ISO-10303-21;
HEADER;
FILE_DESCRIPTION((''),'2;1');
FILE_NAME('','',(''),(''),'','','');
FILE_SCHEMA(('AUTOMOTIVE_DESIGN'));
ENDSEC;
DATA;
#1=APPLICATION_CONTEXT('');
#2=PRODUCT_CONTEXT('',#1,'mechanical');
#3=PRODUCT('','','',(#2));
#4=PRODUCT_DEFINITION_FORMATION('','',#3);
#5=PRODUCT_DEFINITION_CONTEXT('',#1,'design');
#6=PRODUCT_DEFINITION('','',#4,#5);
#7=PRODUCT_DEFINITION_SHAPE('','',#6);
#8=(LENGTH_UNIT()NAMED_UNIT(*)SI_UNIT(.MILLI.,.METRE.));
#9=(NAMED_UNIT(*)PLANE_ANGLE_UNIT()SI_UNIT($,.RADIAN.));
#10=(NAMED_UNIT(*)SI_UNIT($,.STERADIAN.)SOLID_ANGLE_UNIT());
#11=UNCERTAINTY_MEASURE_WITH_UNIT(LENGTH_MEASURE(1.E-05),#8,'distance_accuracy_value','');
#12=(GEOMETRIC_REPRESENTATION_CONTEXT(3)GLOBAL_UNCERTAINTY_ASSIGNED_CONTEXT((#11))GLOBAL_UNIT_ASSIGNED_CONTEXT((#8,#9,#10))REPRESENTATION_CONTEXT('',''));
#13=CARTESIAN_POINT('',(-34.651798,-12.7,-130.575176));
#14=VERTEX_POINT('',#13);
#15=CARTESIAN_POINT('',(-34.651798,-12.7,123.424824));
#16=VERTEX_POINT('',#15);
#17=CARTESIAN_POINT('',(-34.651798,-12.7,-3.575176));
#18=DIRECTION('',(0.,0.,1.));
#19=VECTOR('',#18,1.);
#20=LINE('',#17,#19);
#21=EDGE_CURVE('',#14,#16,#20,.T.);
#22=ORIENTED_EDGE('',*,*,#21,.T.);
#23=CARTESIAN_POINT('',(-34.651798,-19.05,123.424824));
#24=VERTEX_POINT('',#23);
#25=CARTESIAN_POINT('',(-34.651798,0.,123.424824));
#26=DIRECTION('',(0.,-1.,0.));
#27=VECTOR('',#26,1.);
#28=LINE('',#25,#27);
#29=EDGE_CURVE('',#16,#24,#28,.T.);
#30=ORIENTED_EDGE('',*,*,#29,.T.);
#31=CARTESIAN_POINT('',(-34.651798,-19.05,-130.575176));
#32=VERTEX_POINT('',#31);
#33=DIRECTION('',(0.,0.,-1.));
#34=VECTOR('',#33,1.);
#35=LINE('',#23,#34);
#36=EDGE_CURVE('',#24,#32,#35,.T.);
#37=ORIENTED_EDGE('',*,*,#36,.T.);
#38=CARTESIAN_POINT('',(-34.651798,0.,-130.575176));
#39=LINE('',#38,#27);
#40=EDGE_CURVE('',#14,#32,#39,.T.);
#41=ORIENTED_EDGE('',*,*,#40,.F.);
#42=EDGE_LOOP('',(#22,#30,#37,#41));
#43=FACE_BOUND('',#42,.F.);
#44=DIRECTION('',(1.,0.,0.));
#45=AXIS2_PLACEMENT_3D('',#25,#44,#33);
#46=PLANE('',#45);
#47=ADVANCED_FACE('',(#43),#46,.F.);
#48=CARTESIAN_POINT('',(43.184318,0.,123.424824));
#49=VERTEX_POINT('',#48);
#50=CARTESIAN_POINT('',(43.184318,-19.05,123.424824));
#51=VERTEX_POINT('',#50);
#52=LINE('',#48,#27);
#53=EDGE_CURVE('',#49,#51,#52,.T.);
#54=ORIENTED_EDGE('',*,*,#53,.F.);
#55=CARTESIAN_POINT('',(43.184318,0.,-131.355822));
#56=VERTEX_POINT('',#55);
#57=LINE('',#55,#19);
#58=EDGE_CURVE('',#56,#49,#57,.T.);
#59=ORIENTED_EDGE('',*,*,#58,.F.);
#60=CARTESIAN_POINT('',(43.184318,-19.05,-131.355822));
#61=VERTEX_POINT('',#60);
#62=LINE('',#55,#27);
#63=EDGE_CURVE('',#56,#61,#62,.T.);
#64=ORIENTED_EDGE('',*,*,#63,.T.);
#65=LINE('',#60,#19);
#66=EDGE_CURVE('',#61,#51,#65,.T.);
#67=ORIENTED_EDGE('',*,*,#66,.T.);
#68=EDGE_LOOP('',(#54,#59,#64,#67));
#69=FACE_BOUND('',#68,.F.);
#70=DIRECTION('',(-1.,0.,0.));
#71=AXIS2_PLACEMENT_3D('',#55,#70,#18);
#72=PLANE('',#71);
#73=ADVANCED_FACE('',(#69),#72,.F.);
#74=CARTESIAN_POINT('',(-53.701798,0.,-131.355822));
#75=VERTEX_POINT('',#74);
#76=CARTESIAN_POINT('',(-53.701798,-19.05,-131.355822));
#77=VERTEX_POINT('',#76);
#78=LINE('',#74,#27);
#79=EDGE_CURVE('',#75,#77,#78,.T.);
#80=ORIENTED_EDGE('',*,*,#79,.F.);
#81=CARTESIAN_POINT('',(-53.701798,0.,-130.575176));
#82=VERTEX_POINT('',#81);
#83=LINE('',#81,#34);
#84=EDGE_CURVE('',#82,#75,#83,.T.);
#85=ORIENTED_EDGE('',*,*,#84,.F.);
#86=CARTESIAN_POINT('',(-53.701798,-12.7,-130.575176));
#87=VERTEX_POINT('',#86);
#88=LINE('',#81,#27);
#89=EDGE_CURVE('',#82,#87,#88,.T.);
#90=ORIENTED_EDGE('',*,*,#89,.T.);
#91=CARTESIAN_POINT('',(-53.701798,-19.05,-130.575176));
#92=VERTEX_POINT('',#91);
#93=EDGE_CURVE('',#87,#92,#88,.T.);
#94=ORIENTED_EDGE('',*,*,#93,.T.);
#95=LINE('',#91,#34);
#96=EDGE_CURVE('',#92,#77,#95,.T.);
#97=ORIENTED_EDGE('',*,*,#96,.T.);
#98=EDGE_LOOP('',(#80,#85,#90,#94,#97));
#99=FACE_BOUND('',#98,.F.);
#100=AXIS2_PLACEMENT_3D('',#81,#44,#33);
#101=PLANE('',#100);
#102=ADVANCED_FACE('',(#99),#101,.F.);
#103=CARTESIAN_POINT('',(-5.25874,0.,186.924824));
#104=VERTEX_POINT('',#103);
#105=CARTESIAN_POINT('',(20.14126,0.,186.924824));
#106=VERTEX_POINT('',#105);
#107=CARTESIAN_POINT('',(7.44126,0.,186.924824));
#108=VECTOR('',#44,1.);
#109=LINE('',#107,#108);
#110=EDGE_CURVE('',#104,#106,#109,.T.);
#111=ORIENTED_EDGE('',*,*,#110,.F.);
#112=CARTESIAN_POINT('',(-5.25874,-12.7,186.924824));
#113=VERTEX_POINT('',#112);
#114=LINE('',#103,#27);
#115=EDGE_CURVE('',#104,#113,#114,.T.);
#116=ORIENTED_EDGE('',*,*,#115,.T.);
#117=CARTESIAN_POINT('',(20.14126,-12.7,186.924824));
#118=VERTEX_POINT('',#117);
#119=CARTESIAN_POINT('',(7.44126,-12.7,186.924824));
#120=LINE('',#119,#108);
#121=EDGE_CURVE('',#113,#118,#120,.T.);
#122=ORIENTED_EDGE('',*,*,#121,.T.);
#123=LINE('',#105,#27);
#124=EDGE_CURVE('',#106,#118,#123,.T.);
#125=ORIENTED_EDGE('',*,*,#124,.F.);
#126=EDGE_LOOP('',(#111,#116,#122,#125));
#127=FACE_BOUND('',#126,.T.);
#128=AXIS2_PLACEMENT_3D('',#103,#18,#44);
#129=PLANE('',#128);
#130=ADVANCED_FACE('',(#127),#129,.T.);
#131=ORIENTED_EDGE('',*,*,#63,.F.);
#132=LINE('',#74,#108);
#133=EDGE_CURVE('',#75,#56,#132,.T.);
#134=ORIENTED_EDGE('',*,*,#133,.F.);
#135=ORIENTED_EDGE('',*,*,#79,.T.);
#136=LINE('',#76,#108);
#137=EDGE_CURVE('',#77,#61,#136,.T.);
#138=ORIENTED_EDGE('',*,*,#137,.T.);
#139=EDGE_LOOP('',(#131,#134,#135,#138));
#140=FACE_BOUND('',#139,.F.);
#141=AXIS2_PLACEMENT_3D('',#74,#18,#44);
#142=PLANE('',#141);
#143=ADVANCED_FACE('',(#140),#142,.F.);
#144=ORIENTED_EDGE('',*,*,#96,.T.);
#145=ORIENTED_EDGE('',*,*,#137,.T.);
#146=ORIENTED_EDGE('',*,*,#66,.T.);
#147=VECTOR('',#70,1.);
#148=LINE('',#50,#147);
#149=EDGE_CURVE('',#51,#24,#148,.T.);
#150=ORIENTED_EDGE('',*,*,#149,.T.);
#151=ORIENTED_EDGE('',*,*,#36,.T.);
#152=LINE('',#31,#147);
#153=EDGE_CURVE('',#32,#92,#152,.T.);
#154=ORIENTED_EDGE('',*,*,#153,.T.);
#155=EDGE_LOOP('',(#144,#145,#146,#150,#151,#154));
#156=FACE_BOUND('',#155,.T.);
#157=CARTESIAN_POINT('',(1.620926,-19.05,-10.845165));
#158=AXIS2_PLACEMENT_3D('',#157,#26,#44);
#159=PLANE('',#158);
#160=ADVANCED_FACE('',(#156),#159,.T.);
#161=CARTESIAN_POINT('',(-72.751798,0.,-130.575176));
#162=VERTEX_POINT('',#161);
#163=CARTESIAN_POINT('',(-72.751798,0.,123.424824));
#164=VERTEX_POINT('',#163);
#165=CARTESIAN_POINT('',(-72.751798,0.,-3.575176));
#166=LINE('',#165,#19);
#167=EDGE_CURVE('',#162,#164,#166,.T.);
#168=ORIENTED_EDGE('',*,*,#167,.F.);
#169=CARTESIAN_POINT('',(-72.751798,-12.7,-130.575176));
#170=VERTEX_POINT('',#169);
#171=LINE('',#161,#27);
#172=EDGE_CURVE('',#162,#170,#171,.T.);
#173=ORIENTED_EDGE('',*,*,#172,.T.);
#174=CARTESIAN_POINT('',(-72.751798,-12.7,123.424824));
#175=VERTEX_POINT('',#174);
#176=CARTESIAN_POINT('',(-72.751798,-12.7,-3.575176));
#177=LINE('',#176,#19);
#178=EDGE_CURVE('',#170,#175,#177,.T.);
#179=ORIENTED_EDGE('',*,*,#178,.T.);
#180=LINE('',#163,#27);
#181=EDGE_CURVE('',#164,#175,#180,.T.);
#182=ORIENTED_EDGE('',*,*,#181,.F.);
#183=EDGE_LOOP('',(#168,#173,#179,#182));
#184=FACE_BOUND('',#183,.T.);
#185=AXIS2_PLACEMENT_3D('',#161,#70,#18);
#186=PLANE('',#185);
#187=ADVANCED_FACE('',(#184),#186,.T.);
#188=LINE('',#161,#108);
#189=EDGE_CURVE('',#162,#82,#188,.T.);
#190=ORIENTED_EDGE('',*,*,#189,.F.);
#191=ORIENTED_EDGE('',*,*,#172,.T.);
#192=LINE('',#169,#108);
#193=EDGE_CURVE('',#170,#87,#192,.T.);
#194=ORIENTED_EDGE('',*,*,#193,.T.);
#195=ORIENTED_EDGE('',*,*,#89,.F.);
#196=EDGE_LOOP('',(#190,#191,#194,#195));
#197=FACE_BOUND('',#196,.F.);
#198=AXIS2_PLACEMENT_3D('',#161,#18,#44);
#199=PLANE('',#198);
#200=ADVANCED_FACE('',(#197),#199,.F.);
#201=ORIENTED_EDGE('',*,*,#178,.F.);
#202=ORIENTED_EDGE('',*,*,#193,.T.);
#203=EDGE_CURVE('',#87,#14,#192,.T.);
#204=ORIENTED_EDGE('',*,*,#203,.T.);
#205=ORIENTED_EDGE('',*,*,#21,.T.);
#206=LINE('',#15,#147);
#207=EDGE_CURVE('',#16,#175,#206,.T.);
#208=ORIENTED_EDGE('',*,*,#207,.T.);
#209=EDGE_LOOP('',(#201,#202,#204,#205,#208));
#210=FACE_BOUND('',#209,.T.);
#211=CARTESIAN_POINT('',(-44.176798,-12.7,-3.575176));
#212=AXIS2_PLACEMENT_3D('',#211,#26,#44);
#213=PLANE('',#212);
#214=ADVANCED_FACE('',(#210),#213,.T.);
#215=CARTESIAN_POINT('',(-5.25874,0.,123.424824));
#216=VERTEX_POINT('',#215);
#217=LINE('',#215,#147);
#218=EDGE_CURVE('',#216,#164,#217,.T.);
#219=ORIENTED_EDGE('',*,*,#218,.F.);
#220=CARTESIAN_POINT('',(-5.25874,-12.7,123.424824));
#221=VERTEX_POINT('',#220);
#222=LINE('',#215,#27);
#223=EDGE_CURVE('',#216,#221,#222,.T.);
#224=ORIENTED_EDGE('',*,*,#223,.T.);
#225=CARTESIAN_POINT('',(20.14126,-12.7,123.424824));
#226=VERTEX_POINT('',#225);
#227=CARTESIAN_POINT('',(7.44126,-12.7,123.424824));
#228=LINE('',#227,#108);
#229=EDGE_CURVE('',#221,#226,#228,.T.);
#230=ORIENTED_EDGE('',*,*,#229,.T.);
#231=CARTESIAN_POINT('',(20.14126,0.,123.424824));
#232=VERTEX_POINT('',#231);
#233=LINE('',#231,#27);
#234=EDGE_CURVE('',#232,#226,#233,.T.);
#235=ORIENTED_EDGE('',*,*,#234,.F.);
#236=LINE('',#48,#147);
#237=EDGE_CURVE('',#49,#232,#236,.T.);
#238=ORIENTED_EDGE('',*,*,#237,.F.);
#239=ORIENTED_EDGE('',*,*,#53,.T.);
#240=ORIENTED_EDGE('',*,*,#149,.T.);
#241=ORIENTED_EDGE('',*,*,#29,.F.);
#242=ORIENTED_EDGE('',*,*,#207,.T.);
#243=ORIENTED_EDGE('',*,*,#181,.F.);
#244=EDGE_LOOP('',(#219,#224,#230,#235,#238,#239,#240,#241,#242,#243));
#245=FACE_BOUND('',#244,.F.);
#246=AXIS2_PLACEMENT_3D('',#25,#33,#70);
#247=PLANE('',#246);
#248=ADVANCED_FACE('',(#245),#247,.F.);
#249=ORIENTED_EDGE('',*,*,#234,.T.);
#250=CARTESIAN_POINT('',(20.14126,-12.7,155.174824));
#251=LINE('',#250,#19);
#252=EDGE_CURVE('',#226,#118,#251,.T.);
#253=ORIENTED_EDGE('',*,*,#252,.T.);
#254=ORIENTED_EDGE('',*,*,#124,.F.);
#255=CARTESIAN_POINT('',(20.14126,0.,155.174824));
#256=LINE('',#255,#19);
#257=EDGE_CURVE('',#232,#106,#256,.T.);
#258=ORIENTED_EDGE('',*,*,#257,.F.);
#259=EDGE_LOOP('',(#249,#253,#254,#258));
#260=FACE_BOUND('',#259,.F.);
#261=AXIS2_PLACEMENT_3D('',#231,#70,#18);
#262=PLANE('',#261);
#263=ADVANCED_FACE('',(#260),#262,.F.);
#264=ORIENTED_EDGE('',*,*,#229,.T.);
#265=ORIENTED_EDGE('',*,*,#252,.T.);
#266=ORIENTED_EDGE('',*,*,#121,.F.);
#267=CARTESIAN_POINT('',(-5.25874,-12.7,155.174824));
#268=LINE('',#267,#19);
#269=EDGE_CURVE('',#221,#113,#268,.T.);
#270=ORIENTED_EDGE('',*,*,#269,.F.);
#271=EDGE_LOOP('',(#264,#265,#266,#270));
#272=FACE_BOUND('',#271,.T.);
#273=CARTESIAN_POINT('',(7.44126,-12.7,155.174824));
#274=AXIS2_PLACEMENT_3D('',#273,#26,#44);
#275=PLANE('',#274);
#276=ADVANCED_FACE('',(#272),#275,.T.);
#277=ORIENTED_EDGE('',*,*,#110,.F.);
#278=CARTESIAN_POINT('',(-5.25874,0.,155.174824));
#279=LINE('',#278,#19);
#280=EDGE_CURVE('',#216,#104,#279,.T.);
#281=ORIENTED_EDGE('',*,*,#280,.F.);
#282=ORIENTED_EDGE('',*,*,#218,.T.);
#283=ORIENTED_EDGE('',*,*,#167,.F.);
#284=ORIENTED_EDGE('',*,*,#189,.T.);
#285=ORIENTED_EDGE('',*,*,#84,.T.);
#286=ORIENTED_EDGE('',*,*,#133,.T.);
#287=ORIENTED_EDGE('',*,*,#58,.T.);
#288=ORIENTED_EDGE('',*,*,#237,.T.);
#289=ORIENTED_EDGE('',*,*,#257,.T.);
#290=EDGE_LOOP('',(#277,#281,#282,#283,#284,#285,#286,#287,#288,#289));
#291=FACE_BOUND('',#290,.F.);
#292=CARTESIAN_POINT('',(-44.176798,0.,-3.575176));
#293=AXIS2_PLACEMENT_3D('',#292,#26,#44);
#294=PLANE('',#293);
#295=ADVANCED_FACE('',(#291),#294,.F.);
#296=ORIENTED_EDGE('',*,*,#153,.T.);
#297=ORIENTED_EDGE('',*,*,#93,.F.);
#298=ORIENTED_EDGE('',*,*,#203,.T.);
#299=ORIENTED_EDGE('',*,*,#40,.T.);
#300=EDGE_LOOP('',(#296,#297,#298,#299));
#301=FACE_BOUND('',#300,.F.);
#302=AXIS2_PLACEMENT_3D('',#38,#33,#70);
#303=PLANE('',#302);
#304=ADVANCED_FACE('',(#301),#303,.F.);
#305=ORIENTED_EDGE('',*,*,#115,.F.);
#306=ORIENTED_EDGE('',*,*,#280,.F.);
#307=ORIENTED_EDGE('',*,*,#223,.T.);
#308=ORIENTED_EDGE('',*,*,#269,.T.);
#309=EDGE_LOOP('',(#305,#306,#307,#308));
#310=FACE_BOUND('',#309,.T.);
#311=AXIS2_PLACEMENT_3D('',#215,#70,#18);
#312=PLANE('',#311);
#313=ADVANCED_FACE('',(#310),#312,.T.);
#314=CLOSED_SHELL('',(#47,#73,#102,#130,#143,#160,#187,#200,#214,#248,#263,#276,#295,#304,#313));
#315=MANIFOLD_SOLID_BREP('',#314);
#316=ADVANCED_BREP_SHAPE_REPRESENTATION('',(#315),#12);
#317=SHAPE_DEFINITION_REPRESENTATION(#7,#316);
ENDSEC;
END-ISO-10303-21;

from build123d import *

# Parameters (mm, degrees)
F1_DEPTH = 19.05
F0_W     = 19.05
F0_H     = 254
F0_W_2   = 25.4
F0_H_2   = 63.5
F2_DEPTH = 12.7


with BuildPart() as f1:
    # F0 (on Front) → F1 (new body)
    with BuildSketch(Plane.XZ):
        Polygon((-5.2587399386, 123.4248239994), (-34.6517975256, 123.4248239994), (-34.6517975256, -130.5751760006), (-53.7017975256, -130.5751760006), (-53.7017975256, -131.3558220863), (43.1843176484, -131.3558220863), (43.1843176484, 123.4248239994), (20.1412600614, 123.4248239994), align=None)
    extrude(amount=F1_DEPTH)

    # F0 (on Front) → F2 (join)
    with BuildSketch(Plane.XZ):
        with Locations((-44.1767975256, -3.5751760006)):
            Rectangle(F0_W, F0_H)
        with Locations((-63.2267975256, -3.5751760006)):
            Rectangle(F0_W, F0_H)
        with Locations((7.4412600614, 155.1748239994)):
            Rectangle(F0_W_2, F0_H_2)
    extrude(amount=F2_DEPTH)


solid = f1.part
